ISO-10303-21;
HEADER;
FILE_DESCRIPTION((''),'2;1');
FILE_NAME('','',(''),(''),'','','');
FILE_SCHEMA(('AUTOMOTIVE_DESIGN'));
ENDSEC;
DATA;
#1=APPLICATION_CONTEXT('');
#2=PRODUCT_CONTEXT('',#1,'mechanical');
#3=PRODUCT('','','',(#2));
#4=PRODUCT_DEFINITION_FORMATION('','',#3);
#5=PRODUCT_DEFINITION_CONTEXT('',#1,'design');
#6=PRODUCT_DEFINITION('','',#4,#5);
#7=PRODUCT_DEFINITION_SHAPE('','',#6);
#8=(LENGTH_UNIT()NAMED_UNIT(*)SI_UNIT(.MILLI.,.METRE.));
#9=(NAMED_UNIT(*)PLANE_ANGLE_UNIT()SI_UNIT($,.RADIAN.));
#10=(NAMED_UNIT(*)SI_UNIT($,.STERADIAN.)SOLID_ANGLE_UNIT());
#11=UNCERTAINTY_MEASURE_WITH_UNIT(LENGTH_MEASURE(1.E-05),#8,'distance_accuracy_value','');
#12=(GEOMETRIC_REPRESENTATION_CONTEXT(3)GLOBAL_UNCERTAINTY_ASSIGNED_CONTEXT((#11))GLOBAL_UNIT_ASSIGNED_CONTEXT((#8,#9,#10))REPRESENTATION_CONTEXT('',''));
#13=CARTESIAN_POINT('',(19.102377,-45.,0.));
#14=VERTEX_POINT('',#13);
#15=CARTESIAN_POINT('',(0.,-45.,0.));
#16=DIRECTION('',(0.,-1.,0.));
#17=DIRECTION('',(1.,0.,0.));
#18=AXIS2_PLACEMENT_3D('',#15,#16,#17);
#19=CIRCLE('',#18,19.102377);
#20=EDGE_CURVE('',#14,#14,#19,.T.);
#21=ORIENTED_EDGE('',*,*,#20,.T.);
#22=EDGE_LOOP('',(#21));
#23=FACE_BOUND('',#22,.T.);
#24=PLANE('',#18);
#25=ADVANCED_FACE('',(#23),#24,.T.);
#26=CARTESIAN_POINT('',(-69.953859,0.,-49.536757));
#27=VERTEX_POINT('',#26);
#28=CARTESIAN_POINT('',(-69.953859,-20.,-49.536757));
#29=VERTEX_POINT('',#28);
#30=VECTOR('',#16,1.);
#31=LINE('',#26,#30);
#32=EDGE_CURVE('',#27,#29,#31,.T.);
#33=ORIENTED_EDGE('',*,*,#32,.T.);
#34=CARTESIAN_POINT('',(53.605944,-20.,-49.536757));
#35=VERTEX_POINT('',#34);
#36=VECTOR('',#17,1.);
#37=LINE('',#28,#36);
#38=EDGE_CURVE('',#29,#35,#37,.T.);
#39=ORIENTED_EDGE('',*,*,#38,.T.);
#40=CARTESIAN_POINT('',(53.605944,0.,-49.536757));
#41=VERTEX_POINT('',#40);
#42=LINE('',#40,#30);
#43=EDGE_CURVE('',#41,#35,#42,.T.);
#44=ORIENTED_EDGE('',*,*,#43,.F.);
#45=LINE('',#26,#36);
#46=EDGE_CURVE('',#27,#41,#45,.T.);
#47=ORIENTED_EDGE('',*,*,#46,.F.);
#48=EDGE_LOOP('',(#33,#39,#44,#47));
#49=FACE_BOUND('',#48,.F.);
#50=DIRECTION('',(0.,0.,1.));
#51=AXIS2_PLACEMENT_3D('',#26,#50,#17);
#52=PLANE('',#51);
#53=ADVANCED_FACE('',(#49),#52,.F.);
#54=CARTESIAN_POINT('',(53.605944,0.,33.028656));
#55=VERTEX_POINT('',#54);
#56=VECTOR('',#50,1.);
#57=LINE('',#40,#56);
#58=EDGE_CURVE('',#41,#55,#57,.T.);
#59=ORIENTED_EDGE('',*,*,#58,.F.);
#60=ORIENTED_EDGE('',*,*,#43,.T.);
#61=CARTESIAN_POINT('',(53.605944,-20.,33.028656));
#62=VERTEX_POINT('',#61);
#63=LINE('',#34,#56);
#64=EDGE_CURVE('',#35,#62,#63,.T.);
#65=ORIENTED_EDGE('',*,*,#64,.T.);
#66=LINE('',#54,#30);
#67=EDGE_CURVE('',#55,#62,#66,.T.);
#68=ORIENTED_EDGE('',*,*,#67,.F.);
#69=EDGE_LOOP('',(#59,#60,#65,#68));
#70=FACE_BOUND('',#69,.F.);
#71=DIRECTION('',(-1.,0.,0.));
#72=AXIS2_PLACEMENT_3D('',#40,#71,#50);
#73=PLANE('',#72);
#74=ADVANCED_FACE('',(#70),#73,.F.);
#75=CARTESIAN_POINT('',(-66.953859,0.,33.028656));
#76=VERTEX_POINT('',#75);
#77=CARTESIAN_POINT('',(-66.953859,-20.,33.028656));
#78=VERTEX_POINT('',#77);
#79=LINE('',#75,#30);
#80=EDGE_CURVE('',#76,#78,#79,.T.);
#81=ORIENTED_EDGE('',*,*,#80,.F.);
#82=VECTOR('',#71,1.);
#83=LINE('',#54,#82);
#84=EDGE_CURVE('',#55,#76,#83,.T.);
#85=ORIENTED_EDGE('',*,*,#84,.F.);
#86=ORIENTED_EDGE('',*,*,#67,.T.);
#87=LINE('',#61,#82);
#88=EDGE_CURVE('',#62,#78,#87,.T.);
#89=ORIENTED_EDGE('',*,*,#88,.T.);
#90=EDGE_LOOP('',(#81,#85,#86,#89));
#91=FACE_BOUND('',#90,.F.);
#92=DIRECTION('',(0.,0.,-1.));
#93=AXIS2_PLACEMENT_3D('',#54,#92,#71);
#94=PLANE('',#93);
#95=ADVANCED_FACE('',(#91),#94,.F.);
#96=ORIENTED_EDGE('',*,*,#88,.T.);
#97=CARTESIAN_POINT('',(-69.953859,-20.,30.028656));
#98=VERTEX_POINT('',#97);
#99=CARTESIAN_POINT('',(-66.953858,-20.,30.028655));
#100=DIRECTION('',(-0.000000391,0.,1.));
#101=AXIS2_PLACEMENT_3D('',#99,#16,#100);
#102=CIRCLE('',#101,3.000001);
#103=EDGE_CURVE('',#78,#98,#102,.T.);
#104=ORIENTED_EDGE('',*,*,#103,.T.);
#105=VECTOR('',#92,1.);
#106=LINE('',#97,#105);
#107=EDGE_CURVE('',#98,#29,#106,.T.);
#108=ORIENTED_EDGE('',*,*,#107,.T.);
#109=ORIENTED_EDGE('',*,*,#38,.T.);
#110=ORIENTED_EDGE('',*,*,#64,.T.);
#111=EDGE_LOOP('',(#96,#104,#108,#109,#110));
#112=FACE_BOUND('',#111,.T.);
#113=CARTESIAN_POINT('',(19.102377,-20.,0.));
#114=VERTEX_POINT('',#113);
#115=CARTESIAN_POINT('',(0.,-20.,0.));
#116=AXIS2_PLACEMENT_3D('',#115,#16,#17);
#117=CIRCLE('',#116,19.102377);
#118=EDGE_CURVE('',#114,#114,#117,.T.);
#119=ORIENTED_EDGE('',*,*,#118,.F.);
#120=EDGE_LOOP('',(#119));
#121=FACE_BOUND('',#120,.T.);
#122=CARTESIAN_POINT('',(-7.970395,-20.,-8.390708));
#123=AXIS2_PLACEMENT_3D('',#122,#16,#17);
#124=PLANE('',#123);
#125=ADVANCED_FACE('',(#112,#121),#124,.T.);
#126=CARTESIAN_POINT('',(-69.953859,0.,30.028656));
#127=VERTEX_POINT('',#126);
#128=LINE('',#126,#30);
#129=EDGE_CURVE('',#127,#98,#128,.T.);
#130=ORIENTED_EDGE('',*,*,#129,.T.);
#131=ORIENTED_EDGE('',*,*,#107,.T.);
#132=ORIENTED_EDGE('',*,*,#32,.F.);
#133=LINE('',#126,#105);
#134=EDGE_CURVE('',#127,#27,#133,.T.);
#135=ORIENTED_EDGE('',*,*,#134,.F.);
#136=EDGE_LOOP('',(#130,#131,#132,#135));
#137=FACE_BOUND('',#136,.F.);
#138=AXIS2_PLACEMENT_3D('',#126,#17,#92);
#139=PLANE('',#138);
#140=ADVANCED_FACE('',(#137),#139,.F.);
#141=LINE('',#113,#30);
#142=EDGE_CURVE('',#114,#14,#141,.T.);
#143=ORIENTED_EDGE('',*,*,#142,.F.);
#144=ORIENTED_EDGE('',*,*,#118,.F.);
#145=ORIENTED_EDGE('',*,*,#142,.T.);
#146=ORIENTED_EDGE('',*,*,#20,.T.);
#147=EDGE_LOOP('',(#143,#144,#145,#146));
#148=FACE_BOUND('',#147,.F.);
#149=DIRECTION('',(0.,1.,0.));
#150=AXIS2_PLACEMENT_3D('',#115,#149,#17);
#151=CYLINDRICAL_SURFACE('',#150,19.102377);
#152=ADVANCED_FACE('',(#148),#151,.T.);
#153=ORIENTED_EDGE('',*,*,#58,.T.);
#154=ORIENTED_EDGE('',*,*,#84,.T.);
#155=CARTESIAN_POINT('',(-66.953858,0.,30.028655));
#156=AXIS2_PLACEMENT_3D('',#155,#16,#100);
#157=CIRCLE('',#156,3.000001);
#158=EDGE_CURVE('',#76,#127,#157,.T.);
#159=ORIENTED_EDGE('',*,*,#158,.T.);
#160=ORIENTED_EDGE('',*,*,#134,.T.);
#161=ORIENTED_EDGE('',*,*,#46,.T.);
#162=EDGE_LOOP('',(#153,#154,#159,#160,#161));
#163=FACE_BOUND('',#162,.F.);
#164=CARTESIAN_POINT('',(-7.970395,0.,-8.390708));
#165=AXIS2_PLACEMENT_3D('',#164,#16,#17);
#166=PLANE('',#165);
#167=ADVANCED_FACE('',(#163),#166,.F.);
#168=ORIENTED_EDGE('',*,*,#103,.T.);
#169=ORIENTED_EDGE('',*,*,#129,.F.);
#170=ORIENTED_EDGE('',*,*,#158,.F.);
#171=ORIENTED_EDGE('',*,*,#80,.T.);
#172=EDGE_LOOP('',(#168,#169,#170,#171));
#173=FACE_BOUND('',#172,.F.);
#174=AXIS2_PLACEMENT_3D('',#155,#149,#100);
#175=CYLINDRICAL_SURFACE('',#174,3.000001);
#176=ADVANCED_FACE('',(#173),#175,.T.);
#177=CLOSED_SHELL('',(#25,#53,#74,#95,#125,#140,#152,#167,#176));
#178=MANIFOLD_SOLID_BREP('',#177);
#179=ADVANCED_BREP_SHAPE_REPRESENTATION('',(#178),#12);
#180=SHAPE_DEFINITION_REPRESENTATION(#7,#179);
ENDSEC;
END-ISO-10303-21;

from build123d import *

# Parameters (mm, degrees)
F1_DEPTH = 20
F2_R     = 19.102377
F3_DEPTH = 25


with BuildPart() as f1:
    # F0 (on Front) → F1 (new body)
    with BuildSketch(Plane.XZ):
        with BuildLine():
            Line((53.605944, 33.028656), (-66.953859, 33.028656))
            ThreePointArc((-66.953859, 33.028656), (-69.075179, 32.149976), (-69.953859, 30.028656))
            Line((-69.953859, 30.028656), (-69.953859, -49.536757))
            Line((-69.953859, -49.536757), (53.605944, -49.536757))
            Line((53.605944, -49.536757), (53.605944, 33.028656))
        make_face()
    extrude(amount=F1_DEPTH)

    # F2 (on face) → F3 (join)
    with BuildSketch(Plane.XZ.offset(20)):
        Circle(F2_R)
    extrude(amount=F3_DEPTH)


solid = f1.part
